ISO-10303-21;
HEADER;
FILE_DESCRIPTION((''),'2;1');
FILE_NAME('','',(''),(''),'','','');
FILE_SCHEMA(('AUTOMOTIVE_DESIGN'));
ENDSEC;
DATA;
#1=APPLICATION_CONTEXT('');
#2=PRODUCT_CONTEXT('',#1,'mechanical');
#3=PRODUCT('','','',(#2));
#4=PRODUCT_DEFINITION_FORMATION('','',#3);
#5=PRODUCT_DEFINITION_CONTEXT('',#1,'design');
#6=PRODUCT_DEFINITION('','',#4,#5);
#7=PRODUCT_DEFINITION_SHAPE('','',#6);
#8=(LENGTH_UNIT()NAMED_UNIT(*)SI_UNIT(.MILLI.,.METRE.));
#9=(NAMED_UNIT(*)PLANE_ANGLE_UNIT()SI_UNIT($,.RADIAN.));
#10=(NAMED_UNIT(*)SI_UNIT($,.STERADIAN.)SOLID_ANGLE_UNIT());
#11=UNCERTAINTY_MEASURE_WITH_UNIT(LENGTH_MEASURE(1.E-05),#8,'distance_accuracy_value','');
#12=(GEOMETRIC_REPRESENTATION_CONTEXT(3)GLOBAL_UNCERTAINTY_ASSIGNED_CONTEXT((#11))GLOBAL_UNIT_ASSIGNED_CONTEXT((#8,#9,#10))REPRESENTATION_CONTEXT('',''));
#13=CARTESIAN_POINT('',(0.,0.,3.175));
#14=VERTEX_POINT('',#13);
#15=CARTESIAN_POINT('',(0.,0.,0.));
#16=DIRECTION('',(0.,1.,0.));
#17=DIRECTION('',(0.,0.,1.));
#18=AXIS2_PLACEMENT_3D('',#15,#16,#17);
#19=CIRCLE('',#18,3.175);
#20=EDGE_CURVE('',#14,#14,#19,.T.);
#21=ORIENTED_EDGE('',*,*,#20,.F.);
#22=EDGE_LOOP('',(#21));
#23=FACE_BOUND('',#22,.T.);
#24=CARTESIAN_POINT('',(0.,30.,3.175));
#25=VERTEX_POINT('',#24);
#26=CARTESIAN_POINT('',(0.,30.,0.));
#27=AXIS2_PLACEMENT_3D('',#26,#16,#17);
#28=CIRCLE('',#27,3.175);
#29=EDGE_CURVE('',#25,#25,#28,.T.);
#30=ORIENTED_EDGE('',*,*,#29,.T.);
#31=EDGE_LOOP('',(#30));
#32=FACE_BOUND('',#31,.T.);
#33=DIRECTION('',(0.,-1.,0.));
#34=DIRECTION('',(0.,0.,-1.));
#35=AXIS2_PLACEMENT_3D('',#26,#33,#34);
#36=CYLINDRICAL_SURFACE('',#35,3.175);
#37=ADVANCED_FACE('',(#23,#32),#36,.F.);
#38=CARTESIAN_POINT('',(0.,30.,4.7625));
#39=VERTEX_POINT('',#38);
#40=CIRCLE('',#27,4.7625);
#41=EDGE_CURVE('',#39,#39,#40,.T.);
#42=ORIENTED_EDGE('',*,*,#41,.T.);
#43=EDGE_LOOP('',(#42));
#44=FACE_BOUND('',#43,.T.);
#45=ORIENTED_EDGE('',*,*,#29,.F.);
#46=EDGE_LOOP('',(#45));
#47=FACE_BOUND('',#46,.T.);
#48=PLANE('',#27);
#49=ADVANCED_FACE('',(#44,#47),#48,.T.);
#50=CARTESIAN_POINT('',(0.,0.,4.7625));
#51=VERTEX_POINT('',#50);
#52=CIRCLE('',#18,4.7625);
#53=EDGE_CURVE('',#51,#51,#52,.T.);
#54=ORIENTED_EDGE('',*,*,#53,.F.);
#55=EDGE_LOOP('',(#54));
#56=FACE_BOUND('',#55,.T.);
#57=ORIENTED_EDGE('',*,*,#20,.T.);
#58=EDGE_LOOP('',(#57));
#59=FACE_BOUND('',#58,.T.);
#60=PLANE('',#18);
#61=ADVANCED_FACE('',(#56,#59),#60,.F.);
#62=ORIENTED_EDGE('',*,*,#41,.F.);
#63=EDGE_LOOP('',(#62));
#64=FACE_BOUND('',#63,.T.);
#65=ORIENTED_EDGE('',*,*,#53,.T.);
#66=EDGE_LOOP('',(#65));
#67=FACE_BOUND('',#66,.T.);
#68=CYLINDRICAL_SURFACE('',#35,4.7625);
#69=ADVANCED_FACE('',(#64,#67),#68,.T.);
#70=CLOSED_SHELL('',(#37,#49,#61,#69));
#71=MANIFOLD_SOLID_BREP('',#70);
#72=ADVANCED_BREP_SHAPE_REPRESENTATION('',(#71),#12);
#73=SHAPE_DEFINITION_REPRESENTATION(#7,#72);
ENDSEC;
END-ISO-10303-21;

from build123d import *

# Parameters (mm, degrees)
SKETCH1_R           = 4.7625
SKETCH1_R_2         = 3.175
BOSS_EXTRUDE1_DEPTH = 30


with BuildPart() as part:
    # Sketch1 → Boss-Extrude1 (new body)
    with BuildSketch(Plane(origin=(0, 0, 0), x_dir=(1, 0, 0), z_dir=(0, 1, 0))):
        with Locations(Location((0, 0, 0), (0, 0, 270))):
            Circle(SKETCH1_R)
        with Locations(Location((0, 0, 0), (0, 0, 270))):
            Circle(SKETCH1_R_2, mode=Mode.SUBTRACT)
    extrude(amount=BOSS_EXTRUDE1_DEPTH)


solid = part.part
